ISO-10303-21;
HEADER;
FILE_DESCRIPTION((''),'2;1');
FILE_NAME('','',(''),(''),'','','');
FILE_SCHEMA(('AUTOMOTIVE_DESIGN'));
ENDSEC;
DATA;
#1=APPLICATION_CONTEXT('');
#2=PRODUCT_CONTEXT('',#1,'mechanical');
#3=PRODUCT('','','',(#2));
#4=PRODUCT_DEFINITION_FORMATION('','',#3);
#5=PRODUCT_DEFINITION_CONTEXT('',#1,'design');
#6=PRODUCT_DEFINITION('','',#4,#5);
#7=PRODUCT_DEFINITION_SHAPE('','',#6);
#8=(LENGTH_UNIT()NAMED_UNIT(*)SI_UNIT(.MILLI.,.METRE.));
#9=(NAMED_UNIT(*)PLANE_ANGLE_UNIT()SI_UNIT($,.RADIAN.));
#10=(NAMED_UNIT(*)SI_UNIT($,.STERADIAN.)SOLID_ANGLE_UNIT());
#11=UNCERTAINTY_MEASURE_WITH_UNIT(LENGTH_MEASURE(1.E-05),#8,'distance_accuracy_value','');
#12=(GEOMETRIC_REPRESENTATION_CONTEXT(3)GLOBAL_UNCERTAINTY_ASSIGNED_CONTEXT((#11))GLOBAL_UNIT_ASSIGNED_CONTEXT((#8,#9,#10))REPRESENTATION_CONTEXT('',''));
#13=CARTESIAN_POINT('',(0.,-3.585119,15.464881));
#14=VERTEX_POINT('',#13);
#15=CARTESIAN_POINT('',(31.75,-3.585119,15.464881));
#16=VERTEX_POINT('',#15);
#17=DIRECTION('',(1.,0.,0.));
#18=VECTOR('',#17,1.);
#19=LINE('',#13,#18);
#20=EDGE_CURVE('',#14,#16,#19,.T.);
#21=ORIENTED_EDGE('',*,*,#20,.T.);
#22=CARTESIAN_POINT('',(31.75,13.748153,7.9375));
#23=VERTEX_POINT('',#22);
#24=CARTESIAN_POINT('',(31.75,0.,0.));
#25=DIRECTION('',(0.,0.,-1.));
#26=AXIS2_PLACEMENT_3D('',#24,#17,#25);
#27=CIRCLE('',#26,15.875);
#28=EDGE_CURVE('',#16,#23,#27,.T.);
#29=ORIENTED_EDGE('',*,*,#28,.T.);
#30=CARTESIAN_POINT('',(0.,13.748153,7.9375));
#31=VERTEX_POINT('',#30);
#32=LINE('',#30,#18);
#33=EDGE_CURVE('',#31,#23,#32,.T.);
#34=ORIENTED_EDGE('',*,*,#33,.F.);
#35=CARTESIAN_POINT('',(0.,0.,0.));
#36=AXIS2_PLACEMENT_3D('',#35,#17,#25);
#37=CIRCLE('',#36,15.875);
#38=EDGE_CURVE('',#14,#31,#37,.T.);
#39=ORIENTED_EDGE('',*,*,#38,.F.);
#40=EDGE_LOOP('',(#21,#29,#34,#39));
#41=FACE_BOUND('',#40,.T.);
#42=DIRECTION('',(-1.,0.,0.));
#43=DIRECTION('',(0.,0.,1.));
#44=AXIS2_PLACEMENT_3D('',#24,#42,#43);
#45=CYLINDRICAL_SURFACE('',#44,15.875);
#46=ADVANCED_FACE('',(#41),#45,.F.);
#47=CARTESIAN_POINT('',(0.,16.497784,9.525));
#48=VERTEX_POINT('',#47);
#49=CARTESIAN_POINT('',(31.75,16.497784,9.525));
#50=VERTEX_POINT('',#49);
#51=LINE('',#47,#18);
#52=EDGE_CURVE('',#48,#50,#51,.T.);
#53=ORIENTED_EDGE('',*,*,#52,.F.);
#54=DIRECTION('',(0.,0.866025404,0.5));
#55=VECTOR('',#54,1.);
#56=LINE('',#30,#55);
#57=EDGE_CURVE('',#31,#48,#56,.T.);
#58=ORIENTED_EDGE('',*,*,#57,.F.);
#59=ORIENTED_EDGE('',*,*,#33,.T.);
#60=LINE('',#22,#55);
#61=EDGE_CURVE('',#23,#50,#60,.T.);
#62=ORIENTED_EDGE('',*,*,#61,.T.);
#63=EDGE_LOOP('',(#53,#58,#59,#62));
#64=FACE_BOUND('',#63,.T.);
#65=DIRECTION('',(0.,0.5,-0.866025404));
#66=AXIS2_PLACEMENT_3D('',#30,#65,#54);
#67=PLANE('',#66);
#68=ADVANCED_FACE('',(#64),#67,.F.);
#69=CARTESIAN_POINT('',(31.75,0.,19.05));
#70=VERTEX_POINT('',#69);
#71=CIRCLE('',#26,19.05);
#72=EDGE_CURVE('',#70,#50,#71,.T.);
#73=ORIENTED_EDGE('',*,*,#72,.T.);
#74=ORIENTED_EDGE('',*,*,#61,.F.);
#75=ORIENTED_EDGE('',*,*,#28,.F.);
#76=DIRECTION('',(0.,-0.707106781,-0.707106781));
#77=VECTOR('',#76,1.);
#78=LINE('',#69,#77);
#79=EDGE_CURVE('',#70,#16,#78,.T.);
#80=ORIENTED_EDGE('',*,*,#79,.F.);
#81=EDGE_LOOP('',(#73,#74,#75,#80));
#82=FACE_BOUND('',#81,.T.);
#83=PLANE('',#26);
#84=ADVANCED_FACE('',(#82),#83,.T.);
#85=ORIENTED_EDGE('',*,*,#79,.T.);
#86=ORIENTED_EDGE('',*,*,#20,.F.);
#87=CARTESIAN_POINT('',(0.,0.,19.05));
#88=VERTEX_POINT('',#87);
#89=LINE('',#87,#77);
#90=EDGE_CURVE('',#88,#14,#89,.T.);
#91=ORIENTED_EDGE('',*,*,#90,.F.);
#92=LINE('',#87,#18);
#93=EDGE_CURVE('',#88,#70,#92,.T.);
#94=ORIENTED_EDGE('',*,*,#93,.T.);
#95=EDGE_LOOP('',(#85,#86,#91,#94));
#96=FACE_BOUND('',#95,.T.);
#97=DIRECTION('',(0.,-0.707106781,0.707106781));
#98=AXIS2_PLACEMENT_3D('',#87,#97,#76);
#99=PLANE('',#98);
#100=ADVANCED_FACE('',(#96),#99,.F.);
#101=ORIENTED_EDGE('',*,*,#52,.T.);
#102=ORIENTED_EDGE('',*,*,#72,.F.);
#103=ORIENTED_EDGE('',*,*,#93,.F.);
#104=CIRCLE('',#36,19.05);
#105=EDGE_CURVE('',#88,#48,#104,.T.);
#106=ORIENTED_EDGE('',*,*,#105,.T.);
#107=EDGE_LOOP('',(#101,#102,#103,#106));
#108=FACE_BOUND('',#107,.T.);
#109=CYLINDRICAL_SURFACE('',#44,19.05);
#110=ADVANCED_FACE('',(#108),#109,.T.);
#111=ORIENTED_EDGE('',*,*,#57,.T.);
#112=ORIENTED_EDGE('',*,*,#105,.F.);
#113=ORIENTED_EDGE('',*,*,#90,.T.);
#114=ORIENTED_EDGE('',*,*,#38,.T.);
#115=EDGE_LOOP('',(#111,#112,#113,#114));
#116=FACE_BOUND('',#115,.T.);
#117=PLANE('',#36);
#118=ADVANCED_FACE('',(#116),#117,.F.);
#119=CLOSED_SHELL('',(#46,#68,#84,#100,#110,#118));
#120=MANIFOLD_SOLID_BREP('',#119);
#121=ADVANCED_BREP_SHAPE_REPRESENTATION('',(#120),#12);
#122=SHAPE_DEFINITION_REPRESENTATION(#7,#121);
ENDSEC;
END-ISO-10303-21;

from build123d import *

# Parameters (mm, degrees)
SKETCH1_R           = 19.05
SKETCH1_R_2         = 15.875
BOSS_EXTRUDE1_DEPTH = 31.75
CUT_EXTRUDE2_DEPTH  = 32.75
CUT_EXTRUDE3_DEPTH  = 32.75


with BuildPart() as part:
    # Sketch1 → Boss-Extrude1 (new body)
    with BuildSketch(Plane(origin=(0, 0, 0), x_dir=(0, 0, -1), z_dir=(1, 0, 0))):
        Circle(SKETCH1_R)
        Circle(SKETCH1_R_2, mode=Mode.SUBTRACT)
    extrude(amount=BOSS_EXTRUDE1_DEPTH)

    # Sketch2 → Cut-Extrude2 (cut, through all)
    with BuildSketch(Plane(origin=(31.75, 0, 0), x_dir=(0, 0, -1), z_dir=(1, 0, 0))):
        with BuildLine():
            Line((-15.875, 0), (-19.05, 0))
            ThreePointArc((-19.05, 0), (-16.497783942, 9.525), (-9.525, 16.497783942))
            Line((-9.525, 16.497783942), (-7.9375, 13.748153285))
            ThreePointArc((-7.9375, 13.748153285), (-13.748153285, 7.9375), (-15.875, 0))
        make_face()
    extrude(amount=-CUT_EXTRUDE2_DEPTH, mode=Mode.SUBTRACT)

    # Sketch3 → Cut-Extrude3 (cut, through all)
    with BuildSketch(Plane(origin=(31.75, 0, 0), x_dir=(0, 0, -1), z_dir=(1, 0, 0))):
        with BuildLine():
            Line((-19.05, 0), (-15.875, 0))
            ThreePointArc((-15.875, 0), (-15.772137022, -1.804250192), (-15.464881102, -3.585118898))
            Line((-15.464881102, -3.585118898), (-19.05, 0))
        make_face()
    extrude(amount=-CUT_EXTRUDE3_DEPTH, mode=Mode.SUBTRACT)


solid = part.part
